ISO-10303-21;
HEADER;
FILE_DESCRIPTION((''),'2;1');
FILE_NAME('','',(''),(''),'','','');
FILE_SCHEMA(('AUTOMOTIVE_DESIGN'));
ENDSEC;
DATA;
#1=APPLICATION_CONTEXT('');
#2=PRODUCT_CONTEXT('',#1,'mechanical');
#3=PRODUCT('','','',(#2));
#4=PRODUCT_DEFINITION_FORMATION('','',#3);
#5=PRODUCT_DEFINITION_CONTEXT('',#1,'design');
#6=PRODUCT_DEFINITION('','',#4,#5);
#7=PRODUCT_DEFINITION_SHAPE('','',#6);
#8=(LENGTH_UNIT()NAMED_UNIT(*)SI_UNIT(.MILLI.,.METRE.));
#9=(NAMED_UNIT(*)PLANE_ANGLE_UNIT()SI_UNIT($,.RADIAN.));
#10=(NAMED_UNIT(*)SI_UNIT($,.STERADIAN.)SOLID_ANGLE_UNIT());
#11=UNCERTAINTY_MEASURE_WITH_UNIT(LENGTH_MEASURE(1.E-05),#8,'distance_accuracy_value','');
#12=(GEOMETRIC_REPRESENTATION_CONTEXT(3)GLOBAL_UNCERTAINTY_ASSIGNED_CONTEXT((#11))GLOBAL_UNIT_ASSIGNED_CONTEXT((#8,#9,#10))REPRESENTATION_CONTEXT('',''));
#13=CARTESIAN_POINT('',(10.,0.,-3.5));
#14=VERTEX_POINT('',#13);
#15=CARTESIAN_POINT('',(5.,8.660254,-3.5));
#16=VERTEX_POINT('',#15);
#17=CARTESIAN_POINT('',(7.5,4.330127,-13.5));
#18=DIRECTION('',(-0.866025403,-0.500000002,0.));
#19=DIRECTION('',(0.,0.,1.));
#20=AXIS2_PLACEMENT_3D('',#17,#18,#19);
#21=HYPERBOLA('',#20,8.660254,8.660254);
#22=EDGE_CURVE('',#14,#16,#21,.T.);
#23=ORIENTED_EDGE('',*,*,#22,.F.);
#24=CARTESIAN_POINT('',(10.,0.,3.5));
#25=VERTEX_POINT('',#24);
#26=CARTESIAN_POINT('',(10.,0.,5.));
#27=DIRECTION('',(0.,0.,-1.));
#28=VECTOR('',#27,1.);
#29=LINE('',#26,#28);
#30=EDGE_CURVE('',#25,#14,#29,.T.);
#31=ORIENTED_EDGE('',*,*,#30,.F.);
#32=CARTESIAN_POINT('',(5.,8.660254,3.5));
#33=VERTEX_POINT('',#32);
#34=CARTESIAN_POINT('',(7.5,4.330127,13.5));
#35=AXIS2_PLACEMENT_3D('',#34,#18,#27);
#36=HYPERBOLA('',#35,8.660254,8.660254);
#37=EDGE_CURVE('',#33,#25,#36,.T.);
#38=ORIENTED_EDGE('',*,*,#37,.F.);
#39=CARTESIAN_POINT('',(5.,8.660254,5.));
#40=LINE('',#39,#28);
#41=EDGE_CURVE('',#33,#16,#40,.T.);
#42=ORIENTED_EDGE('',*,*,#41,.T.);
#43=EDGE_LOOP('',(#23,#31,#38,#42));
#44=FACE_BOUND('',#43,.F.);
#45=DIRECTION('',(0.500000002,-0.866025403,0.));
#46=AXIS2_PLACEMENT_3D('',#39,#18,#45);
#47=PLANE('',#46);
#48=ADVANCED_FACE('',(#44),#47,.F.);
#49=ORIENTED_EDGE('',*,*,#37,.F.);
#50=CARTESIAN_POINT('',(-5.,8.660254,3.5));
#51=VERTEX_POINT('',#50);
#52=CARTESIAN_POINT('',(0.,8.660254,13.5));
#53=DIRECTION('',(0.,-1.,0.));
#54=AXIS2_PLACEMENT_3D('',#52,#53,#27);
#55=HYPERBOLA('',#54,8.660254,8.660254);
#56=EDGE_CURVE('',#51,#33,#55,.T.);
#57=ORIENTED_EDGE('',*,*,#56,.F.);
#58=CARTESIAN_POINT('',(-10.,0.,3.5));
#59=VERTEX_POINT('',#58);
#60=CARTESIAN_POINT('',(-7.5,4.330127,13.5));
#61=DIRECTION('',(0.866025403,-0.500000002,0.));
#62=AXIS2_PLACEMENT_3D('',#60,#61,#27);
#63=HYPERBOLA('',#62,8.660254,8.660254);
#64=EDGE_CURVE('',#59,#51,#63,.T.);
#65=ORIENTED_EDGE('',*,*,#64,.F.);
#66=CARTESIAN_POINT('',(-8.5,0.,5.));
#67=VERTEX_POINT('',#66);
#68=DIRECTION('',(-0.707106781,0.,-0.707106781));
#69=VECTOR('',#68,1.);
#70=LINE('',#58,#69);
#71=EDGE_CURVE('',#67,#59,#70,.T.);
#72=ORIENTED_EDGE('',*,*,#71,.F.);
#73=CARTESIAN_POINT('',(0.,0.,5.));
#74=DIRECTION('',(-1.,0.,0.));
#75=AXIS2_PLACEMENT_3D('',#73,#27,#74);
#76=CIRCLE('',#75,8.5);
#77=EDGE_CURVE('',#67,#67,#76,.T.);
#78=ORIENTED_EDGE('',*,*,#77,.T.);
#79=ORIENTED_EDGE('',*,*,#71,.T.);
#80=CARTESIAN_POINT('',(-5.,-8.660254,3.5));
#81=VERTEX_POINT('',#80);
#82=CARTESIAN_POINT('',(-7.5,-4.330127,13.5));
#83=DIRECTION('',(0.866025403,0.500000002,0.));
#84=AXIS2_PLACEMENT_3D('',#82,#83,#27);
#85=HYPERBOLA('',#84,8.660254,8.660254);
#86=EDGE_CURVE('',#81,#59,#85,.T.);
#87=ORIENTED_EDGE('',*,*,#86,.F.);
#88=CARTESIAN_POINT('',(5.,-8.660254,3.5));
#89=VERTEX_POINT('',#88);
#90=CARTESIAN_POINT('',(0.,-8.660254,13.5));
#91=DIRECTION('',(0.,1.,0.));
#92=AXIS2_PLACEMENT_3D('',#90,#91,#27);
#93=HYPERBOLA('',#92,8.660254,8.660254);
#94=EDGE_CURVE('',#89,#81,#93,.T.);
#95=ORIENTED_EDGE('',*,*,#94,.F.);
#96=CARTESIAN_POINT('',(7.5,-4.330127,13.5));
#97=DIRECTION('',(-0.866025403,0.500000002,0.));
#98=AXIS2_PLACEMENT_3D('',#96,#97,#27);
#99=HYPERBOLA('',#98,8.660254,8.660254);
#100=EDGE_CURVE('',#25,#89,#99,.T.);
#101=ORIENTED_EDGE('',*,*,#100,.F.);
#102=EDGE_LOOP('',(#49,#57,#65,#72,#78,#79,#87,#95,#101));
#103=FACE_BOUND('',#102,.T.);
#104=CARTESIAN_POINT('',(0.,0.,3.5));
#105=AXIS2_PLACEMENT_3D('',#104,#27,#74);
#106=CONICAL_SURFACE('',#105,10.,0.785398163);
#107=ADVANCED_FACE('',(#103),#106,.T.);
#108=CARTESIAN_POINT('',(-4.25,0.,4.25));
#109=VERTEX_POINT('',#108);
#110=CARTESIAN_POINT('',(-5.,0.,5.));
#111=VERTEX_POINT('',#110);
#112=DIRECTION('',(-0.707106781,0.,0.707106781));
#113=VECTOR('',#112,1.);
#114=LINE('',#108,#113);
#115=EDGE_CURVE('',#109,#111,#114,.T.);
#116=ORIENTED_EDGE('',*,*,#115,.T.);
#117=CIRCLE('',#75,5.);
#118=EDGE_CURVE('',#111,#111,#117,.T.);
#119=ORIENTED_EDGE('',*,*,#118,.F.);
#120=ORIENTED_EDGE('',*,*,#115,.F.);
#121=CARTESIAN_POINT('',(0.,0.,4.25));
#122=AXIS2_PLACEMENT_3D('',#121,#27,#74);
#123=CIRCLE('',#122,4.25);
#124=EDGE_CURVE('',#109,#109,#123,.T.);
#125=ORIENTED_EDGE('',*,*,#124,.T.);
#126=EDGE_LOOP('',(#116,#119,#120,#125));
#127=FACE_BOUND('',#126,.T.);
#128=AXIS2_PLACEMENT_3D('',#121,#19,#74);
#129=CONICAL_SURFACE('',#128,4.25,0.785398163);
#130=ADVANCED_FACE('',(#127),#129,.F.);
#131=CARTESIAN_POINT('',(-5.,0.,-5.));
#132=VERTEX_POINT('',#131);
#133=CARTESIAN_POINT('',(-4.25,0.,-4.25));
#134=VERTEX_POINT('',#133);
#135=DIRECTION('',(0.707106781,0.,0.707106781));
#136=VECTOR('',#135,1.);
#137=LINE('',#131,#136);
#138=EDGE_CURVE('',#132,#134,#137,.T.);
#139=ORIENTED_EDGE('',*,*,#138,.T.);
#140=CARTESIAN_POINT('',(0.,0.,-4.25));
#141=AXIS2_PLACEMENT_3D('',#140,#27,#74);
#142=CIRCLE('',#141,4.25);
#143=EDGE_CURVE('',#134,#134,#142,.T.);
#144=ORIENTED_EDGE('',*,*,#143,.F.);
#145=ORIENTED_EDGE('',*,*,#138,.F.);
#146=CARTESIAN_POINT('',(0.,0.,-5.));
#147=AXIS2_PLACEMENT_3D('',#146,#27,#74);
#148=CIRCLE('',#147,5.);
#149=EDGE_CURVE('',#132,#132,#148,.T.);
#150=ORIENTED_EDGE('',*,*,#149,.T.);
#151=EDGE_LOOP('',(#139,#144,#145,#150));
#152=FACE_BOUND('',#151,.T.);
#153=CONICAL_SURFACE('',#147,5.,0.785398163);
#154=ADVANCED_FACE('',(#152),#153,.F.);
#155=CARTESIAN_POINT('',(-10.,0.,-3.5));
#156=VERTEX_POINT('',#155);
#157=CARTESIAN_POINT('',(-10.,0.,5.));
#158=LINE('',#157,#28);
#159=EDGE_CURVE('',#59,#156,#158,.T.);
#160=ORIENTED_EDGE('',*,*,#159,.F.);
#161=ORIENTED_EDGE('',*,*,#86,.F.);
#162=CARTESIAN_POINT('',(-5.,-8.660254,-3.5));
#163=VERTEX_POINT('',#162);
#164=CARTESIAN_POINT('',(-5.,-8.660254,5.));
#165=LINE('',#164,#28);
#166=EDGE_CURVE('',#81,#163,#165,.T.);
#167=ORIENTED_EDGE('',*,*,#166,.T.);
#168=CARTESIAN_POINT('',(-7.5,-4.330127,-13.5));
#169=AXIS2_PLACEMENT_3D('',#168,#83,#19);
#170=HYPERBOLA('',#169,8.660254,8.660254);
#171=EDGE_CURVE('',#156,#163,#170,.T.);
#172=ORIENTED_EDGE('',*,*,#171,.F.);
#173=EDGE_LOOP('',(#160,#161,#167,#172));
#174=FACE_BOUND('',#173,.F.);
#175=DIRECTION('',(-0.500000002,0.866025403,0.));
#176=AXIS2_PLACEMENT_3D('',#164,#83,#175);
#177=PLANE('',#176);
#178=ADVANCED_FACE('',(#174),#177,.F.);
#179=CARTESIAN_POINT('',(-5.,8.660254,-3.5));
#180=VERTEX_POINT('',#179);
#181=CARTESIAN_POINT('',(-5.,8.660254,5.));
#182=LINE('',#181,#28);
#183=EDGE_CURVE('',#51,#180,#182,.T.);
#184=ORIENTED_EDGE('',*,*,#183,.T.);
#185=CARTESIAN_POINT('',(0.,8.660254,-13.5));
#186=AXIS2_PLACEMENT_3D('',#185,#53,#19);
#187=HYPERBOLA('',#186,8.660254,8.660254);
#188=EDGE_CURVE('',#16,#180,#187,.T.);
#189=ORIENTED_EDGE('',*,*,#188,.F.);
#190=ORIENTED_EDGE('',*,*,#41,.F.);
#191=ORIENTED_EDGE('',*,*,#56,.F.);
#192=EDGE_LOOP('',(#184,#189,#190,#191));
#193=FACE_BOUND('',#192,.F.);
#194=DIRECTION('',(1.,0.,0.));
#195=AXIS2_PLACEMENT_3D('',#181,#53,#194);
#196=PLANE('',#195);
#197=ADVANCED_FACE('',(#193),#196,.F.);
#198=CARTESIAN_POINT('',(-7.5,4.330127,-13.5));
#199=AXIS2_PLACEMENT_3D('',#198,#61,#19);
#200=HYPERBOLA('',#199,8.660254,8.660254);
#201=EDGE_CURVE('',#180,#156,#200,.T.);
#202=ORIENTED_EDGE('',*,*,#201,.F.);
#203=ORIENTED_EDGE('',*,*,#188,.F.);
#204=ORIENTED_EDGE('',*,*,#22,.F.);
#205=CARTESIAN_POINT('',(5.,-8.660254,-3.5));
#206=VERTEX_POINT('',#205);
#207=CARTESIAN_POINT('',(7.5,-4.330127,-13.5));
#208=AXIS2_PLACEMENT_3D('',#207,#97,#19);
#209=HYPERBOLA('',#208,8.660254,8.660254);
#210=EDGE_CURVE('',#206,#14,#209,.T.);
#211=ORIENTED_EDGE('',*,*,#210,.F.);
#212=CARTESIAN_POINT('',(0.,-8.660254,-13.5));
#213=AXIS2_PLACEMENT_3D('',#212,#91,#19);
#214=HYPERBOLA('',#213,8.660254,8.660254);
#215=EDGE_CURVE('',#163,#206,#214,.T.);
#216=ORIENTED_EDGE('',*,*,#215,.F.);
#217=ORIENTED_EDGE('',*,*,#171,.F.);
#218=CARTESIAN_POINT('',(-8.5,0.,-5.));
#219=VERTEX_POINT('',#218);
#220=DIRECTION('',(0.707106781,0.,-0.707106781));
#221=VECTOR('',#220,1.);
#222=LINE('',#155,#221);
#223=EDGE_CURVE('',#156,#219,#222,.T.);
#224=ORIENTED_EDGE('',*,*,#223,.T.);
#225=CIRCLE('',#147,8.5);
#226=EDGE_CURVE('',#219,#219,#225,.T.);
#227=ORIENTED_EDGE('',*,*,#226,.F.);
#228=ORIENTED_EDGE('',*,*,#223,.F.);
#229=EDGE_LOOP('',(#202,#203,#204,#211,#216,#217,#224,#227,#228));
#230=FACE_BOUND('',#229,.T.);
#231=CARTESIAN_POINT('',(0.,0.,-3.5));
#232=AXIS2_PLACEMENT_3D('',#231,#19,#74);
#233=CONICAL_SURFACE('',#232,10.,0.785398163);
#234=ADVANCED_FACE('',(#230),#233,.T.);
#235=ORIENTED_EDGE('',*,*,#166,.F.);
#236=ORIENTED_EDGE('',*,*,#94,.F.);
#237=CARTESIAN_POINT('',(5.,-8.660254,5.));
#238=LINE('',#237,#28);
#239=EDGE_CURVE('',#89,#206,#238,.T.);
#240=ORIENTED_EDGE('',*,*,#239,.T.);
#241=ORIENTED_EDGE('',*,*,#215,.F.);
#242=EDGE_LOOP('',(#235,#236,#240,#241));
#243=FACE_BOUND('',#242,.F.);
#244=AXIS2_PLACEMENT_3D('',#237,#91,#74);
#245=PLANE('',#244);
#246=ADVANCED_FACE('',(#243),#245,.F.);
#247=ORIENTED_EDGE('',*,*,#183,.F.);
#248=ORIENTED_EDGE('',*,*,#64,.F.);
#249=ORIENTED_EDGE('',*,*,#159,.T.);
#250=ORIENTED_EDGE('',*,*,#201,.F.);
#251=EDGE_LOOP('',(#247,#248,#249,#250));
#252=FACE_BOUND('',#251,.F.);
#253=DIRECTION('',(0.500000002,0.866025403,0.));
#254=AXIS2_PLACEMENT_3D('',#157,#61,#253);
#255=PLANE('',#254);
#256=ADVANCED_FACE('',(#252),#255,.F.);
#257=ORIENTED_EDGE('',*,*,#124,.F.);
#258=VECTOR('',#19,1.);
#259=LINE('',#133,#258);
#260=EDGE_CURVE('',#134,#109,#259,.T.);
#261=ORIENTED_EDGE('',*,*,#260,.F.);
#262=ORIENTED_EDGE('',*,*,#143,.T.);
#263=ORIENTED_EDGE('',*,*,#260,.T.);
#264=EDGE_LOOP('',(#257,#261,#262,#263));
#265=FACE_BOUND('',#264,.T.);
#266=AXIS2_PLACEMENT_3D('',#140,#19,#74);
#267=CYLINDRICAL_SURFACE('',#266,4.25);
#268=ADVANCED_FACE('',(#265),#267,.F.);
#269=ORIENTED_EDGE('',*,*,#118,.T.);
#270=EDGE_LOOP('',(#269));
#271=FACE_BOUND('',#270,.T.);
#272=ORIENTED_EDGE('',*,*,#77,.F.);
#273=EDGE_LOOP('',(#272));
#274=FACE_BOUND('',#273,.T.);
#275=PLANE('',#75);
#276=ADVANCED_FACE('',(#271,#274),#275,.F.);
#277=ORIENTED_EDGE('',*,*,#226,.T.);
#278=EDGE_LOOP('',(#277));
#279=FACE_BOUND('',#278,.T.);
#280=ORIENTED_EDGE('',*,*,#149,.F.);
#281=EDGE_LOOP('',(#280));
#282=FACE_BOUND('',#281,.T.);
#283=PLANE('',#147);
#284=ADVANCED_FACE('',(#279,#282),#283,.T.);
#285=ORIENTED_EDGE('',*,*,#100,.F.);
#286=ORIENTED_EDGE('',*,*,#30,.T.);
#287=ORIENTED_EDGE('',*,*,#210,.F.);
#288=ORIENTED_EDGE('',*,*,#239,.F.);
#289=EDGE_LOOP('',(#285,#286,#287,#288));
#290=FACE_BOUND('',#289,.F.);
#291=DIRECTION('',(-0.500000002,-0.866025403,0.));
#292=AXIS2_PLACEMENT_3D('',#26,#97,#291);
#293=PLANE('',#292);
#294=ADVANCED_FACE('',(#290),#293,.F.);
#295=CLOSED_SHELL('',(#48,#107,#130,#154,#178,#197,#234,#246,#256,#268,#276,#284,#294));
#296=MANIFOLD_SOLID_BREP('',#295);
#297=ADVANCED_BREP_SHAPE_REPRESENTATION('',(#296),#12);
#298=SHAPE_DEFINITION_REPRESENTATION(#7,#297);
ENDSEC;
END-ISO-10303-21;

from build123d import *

# Parameters (mm, degrees)
F2_SIZE  = 1.5
F4_DEPTH = 10.001


with BuildPart() as f1:
    # F0 (on Front) → F1 (revolve)
    with BuildSketch(Plane.XZ):
        Polygon((-5, 5), (-10, 5), (-10, -5), (-5, -5), (-4.25, -4.25), (-4.25, 4.25), align=None)
    revolve(axis=Axis((0, 0, 0), (0, 0, -1)))

    # F2
    f2_edges = [f1.edges().sort_by_distance(p)[0] for p in [
        (10, 0, 5),
        (10, 0, -5),
    ]]
    chamfer(f2_edges, length=F2_SIZE)

    # F3 (on face) → F4 (cut, through all)
    with BuildSketch(Plane.XY.offset(5)):
        with BuildLine():
            ThreePointArc((5, 8.660254), (0, 10), (-5, 8.660254))
            Line((-5, 8.660254), (5, 8.660254))
        make_face()
        with BuildLine():
            Line((-10, 0), (-5, 8.660254))
            ThreePointArc((-5, 8.660254), (-8.660254, 5), (-10, 0))
        make_face()
        with BuildLine():
            Line((-5, -8.660254), (-10, 0))
            ThreePointArc((-10, 0), (-8.660254, -5), (-5, -8.660254))
        make_face()
        with BuildLine():
            Line((5, -8.660254), (-5, -8.660254))
            ThreePointArc((-5, -8.660254), (0, -10), (5, -8.660254))
        make_face()
        with BuildLine():
            ThreePointArc((5, -8.660254), (8.660254, -5), (10, 0))
            Line((10, 0), (5, -8.660254))
        make_face()
        with BuildLine():
            ThreePointArc((10, 0), (8.660254, 5), (5, 8.660254))
            Line((5, 8.660254), (10, 0))
        make_face()
    extrude(amount=-F4_DEPTH, mode=Mode.SUBTRACT)


solid = f1.part
